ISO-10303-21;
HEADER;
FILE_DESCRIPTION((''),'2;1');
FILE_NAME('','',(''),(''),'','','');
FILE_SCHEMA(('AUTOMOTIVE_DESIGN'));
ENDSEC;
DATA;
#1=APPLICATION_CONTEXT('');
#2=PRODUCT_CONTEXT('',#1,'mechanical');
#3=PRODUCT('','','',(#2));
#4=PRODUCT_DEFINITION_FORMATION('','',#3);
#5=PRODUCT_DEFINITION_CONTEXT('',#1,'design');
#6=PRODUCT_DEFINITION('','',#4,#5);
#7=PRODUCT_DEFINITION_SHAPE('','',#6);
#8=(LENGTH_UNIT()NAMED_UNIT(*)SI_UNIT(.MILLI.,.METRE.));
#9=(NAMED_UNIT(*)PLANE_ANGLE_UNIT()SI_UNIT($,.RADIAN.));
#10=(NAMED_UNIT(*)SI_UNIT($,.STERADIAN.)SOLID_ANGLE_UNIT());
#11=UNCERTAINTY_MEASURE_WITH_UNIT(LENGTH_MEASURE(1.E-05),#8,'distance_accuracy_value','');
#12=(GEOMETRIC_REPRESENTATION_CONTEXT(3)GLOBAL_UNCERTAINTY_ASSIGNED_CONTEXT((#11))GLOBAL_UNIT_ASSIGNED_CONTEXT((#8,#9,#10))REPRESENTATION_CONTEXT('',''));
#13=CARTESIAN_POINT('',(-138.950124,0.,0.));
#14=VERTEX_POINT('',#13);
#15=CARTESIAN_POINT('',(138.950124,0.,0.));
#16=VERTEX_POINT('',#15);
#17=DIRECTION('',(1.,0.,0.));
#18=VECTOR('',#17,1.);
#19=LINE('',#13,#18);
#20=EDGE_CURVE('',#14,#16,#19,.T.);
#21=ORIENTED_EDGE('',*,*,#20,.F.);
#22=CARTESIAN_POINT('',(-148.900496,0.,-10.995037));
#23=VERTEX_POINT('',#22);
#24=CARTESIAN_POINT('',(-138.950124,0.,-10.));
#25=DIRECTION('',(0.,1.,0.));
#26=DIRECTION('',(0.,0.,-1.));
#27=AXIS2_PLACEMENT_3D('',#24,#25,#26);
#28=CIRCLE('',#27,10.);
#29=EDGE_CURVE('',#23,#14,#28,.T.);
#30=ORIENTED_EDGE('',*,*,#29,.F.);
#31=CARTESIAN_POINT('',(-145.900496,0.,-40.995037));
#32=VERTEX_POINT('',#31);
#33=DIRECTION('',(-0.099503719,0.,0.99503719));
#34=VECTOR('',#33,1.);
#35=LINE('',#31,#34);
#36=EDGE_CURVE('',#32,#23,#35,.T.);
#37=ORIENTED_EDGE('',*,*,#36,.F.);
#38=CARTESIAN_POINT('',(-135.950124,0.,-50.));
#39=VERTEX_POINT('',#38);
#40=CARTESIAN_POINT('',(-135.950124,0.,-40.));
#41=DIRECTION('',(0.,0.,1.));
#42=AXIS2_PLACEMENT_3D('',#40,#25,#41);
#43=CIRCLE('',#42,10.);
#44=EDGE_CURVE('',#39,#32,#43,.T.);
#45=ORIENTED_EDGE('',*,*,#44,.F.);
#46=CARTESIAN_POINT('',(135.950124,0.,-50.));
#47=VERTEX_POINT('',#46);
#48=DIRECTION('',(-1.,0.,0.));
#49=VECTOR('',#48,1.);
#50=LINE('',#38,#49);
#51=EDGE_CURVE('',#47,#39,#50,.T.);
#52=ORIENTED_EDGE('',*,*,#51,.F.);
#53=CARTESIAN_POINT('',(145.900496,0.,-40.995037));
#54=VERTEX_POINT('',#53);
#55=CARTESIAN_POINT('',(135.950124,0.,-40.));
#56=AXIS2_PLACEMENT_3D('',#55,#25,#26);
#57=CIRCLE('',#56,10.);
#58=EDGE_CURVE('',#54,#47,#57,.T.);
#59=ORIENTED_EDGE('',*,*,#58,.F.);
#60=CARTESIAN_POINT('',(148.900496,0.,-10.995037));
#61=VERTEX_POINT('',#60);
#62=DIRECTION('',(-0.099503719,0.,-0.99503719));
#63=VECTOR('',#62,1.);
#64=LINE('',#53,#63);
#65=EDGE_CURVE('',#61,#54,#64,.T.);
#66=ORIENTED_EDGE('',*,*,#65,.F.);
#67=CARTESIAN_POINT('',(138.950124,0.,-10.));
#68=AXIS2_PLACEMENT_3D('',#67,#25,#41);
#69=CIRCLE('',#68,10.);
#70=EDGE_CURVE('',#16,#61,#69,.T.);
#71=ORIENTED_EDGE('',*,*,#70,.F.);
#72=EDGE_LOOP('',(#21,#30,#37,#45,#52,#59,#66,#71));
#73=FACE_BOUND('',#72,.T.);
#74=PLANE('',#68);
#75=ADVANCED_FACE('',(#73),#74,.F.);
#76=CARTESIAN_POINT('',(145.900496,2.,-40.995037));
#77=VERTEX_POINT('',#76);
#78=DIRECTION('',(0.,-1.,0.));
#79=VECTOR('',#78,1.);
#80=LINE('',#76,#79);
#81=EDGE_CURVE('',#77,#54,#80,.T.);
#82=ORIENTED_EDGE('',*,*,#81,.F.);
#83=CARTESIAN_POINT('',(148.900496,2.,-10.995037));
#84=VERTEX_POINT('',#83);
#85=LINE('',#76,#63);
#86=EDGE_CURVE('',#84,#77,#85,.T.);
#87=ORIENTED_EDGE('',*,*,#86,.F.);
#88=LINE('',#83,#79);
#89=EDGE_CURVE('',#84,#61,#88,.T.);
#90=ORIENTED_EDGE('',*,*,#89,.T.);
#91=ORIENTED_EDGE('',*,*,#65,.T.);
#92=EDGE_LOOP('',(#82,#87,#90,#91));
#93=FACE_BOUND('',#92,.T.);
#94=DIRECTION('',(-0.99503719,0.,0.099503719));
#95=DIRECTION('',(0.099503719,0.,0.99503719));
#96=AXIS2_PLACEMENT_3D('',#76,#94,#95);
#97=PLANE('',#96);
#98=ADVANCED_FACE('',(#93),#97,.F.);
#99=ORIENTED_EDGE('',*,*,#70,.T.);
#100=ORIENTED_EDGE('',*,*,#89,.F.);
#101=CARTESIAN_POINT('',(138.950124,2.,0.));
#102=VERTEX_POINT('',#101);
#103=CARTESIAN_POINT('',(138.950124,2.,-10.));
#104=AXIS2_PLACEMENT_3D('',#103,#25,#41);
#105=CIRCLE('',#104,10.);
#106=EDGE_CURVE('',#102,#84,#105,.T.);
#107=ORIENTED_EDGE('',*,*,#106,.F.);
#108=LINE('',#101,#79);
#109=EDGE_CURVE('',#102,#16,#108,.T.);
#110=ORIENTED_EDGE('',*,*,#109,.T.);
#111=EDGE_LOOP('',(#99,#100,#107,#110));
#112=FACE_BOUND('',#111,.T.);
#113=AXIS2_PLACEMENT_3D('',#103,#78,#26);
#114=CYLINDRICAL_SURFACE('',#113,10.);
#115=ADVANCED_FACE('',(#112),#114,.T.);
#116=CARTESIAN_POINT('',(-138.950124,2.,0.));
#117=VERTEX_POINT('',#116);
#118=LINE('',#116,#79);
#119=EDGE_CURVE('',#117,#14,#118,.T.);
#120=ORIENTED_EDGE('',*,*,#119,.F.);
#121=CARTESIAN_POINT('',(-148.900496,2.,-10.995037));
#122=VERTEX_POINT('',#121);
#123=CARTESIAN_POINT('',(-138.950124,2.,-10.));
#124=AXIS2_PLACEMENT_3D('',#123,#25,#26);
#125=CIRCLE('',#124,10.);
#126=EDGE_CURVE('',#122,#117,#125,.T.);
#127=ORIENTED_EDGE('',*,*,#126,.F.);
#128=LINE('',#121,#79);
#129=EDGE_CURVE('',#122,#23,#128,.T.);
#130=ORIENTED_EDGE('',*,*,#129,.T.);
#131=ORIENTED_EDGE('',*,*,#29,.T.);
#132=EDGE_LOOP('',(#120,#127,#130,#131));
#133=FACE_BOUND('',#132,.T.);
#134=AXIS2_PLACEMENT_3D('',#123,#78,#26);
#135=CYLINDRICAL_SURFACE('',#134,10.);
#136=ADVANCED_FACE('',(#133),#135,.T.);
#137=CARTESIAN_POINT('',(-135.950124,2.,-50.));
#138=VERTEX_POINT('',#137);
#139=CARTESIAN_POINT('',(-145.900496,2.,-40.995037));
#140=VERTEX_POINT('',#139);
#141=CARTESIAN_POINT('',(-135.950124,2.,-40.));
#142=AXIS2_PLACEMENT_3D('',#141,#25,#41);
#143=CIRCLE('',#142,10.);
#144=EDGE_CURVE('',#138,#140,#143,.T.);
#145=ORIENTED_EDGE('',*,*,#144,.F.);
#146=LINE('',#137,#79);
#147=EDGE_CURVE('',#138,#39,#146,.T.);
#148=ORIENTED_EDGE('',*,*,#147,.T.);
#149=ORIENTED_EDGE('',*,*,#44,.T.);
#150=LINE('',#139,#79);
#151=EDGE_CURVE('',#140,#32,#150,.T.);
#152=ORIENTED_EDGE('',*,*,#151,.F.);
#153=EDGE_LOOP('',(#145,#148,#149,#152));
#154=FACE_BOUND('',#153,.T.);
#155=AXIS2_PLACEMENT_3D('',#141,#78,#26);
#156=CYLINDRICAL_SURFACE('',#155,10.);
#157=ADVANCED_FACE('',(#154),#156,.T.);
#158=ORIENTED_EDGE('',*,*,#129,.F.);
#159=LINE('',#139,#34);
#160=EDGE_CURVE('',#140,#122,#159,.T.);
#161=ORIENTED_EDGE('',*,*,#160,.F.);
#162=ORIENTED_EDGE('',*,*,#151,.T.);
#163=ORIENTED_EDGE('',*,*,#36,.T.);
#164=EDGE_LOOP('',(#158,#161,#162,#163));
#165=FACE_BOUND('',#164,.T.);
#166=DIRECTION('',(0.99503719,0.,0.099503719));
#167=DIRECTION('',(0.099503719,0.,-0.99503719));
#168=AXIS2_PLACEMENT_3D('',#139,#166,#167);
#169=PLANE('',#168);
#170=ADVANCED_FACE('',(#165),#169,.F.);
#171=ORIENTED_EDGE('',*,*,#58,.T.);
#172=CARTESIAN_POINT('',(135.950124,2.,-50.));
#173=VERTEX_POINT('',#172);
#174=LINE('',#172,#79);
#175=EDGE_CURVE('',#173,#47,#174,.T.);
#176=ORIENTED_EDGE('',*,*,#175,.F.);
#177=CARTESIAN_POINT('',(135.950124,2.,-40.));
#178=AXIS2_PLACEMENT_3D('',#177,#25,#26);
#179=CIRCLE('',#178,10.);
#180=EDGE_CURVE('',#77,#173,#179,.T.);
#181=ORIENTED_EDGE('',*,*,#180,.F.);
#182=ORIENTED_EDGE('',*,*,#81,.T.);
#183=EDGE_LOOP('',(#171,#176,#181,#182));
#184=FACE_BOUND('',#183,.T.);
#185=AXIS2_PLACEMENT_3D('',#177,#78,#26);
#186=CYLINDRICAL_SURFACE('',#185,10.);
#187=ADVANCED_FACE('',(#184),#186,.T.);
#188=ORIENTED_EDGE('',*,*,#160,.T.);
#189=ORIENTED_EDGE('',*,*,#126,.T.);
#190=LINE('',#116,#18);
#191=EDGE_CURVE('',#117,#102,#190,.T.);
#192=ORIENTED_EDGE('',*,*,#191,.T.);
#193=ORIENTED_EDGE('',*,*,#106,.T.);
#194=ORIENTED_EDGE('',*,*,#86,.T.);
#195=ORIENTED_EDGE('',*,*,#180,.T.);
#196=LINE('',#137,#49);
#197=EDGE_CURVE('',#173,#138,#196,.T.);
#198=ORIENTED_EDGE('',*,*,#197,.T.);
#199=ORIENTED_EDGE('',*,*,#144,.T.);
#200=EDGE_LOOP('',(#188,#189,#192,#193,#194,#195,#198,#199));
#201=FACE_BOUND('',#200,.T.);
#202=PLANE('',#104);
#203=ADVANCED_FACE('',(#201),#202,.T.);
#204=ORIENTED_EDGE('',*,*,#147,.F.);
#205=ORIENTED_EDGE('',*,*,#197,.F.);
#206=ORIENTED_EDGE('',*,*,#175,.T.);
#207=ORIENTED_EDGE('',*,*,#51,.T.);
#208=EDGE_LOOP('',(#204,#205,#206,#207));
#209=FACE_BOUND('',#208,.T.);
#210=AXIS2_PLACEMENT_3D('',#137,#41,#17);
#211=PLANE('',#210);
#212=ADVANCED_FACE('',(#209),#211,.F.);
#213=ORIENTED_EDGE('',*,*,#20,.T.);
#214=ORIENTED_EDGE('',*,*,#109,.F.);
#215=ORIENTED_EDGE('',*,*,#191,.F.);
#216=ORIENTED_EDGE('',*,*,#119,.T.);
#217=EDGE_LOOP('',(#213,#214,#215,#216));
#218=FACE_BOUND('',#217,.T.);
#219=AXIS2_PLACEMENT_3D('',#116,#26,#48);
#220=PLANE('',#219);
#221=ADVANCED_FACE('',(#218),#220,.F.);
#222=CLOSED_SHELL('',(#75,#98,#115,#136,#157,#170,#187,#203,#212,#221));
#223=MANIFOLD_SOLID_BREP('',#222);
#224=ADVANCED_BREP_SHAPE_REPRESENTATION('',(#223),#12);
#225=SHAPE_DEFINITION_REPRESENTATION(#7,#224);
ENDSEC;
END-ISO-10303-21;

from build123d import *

# Parameters (mm, degrees)
BOSS_EXTRUDE1_DEPTH = 2


with BuildPart() as part:
    # Sketch3 → Boss-Extrude1 (new body)
    with BuildSketch(Plane(origin=(0, 0, 0), x_dir=(1, 0, 0), z_dir=(0, 1, 0))):
        with BuildLine():
            Line((-138.950124379, 0), (138.950124379, 0))
            ThreePointArc((138.950124379, 0), (146.364649714, 3.289946792), (148.900496281, 10.99503719))
            Line((148.900496281, 10.99503719), (145.900496281, 40.99503719))
            ThreePointArc((145.900496281, 40.99503719), (142.660177586, 47.414525336), (135.950124379, 50))
            Line((135.950124379, 50), (-135.950124379, 50))
            ThreePointArc((-135.950124379, 50), (-142.660177586, 47.414525336), (-145.900496281, 40.99503719))
            Line((-145.900496281, 40.99503719), (-148.900496281, 10.99503719))
            ThreePointArc((-148.900496281, 10.99503719), (-146.364649714, 3.289946792), (-138.950124379, 0))
        make_face()
    extrude(amount=BOSS_EXTRUDE1_DEPTH)


solid = part.part
